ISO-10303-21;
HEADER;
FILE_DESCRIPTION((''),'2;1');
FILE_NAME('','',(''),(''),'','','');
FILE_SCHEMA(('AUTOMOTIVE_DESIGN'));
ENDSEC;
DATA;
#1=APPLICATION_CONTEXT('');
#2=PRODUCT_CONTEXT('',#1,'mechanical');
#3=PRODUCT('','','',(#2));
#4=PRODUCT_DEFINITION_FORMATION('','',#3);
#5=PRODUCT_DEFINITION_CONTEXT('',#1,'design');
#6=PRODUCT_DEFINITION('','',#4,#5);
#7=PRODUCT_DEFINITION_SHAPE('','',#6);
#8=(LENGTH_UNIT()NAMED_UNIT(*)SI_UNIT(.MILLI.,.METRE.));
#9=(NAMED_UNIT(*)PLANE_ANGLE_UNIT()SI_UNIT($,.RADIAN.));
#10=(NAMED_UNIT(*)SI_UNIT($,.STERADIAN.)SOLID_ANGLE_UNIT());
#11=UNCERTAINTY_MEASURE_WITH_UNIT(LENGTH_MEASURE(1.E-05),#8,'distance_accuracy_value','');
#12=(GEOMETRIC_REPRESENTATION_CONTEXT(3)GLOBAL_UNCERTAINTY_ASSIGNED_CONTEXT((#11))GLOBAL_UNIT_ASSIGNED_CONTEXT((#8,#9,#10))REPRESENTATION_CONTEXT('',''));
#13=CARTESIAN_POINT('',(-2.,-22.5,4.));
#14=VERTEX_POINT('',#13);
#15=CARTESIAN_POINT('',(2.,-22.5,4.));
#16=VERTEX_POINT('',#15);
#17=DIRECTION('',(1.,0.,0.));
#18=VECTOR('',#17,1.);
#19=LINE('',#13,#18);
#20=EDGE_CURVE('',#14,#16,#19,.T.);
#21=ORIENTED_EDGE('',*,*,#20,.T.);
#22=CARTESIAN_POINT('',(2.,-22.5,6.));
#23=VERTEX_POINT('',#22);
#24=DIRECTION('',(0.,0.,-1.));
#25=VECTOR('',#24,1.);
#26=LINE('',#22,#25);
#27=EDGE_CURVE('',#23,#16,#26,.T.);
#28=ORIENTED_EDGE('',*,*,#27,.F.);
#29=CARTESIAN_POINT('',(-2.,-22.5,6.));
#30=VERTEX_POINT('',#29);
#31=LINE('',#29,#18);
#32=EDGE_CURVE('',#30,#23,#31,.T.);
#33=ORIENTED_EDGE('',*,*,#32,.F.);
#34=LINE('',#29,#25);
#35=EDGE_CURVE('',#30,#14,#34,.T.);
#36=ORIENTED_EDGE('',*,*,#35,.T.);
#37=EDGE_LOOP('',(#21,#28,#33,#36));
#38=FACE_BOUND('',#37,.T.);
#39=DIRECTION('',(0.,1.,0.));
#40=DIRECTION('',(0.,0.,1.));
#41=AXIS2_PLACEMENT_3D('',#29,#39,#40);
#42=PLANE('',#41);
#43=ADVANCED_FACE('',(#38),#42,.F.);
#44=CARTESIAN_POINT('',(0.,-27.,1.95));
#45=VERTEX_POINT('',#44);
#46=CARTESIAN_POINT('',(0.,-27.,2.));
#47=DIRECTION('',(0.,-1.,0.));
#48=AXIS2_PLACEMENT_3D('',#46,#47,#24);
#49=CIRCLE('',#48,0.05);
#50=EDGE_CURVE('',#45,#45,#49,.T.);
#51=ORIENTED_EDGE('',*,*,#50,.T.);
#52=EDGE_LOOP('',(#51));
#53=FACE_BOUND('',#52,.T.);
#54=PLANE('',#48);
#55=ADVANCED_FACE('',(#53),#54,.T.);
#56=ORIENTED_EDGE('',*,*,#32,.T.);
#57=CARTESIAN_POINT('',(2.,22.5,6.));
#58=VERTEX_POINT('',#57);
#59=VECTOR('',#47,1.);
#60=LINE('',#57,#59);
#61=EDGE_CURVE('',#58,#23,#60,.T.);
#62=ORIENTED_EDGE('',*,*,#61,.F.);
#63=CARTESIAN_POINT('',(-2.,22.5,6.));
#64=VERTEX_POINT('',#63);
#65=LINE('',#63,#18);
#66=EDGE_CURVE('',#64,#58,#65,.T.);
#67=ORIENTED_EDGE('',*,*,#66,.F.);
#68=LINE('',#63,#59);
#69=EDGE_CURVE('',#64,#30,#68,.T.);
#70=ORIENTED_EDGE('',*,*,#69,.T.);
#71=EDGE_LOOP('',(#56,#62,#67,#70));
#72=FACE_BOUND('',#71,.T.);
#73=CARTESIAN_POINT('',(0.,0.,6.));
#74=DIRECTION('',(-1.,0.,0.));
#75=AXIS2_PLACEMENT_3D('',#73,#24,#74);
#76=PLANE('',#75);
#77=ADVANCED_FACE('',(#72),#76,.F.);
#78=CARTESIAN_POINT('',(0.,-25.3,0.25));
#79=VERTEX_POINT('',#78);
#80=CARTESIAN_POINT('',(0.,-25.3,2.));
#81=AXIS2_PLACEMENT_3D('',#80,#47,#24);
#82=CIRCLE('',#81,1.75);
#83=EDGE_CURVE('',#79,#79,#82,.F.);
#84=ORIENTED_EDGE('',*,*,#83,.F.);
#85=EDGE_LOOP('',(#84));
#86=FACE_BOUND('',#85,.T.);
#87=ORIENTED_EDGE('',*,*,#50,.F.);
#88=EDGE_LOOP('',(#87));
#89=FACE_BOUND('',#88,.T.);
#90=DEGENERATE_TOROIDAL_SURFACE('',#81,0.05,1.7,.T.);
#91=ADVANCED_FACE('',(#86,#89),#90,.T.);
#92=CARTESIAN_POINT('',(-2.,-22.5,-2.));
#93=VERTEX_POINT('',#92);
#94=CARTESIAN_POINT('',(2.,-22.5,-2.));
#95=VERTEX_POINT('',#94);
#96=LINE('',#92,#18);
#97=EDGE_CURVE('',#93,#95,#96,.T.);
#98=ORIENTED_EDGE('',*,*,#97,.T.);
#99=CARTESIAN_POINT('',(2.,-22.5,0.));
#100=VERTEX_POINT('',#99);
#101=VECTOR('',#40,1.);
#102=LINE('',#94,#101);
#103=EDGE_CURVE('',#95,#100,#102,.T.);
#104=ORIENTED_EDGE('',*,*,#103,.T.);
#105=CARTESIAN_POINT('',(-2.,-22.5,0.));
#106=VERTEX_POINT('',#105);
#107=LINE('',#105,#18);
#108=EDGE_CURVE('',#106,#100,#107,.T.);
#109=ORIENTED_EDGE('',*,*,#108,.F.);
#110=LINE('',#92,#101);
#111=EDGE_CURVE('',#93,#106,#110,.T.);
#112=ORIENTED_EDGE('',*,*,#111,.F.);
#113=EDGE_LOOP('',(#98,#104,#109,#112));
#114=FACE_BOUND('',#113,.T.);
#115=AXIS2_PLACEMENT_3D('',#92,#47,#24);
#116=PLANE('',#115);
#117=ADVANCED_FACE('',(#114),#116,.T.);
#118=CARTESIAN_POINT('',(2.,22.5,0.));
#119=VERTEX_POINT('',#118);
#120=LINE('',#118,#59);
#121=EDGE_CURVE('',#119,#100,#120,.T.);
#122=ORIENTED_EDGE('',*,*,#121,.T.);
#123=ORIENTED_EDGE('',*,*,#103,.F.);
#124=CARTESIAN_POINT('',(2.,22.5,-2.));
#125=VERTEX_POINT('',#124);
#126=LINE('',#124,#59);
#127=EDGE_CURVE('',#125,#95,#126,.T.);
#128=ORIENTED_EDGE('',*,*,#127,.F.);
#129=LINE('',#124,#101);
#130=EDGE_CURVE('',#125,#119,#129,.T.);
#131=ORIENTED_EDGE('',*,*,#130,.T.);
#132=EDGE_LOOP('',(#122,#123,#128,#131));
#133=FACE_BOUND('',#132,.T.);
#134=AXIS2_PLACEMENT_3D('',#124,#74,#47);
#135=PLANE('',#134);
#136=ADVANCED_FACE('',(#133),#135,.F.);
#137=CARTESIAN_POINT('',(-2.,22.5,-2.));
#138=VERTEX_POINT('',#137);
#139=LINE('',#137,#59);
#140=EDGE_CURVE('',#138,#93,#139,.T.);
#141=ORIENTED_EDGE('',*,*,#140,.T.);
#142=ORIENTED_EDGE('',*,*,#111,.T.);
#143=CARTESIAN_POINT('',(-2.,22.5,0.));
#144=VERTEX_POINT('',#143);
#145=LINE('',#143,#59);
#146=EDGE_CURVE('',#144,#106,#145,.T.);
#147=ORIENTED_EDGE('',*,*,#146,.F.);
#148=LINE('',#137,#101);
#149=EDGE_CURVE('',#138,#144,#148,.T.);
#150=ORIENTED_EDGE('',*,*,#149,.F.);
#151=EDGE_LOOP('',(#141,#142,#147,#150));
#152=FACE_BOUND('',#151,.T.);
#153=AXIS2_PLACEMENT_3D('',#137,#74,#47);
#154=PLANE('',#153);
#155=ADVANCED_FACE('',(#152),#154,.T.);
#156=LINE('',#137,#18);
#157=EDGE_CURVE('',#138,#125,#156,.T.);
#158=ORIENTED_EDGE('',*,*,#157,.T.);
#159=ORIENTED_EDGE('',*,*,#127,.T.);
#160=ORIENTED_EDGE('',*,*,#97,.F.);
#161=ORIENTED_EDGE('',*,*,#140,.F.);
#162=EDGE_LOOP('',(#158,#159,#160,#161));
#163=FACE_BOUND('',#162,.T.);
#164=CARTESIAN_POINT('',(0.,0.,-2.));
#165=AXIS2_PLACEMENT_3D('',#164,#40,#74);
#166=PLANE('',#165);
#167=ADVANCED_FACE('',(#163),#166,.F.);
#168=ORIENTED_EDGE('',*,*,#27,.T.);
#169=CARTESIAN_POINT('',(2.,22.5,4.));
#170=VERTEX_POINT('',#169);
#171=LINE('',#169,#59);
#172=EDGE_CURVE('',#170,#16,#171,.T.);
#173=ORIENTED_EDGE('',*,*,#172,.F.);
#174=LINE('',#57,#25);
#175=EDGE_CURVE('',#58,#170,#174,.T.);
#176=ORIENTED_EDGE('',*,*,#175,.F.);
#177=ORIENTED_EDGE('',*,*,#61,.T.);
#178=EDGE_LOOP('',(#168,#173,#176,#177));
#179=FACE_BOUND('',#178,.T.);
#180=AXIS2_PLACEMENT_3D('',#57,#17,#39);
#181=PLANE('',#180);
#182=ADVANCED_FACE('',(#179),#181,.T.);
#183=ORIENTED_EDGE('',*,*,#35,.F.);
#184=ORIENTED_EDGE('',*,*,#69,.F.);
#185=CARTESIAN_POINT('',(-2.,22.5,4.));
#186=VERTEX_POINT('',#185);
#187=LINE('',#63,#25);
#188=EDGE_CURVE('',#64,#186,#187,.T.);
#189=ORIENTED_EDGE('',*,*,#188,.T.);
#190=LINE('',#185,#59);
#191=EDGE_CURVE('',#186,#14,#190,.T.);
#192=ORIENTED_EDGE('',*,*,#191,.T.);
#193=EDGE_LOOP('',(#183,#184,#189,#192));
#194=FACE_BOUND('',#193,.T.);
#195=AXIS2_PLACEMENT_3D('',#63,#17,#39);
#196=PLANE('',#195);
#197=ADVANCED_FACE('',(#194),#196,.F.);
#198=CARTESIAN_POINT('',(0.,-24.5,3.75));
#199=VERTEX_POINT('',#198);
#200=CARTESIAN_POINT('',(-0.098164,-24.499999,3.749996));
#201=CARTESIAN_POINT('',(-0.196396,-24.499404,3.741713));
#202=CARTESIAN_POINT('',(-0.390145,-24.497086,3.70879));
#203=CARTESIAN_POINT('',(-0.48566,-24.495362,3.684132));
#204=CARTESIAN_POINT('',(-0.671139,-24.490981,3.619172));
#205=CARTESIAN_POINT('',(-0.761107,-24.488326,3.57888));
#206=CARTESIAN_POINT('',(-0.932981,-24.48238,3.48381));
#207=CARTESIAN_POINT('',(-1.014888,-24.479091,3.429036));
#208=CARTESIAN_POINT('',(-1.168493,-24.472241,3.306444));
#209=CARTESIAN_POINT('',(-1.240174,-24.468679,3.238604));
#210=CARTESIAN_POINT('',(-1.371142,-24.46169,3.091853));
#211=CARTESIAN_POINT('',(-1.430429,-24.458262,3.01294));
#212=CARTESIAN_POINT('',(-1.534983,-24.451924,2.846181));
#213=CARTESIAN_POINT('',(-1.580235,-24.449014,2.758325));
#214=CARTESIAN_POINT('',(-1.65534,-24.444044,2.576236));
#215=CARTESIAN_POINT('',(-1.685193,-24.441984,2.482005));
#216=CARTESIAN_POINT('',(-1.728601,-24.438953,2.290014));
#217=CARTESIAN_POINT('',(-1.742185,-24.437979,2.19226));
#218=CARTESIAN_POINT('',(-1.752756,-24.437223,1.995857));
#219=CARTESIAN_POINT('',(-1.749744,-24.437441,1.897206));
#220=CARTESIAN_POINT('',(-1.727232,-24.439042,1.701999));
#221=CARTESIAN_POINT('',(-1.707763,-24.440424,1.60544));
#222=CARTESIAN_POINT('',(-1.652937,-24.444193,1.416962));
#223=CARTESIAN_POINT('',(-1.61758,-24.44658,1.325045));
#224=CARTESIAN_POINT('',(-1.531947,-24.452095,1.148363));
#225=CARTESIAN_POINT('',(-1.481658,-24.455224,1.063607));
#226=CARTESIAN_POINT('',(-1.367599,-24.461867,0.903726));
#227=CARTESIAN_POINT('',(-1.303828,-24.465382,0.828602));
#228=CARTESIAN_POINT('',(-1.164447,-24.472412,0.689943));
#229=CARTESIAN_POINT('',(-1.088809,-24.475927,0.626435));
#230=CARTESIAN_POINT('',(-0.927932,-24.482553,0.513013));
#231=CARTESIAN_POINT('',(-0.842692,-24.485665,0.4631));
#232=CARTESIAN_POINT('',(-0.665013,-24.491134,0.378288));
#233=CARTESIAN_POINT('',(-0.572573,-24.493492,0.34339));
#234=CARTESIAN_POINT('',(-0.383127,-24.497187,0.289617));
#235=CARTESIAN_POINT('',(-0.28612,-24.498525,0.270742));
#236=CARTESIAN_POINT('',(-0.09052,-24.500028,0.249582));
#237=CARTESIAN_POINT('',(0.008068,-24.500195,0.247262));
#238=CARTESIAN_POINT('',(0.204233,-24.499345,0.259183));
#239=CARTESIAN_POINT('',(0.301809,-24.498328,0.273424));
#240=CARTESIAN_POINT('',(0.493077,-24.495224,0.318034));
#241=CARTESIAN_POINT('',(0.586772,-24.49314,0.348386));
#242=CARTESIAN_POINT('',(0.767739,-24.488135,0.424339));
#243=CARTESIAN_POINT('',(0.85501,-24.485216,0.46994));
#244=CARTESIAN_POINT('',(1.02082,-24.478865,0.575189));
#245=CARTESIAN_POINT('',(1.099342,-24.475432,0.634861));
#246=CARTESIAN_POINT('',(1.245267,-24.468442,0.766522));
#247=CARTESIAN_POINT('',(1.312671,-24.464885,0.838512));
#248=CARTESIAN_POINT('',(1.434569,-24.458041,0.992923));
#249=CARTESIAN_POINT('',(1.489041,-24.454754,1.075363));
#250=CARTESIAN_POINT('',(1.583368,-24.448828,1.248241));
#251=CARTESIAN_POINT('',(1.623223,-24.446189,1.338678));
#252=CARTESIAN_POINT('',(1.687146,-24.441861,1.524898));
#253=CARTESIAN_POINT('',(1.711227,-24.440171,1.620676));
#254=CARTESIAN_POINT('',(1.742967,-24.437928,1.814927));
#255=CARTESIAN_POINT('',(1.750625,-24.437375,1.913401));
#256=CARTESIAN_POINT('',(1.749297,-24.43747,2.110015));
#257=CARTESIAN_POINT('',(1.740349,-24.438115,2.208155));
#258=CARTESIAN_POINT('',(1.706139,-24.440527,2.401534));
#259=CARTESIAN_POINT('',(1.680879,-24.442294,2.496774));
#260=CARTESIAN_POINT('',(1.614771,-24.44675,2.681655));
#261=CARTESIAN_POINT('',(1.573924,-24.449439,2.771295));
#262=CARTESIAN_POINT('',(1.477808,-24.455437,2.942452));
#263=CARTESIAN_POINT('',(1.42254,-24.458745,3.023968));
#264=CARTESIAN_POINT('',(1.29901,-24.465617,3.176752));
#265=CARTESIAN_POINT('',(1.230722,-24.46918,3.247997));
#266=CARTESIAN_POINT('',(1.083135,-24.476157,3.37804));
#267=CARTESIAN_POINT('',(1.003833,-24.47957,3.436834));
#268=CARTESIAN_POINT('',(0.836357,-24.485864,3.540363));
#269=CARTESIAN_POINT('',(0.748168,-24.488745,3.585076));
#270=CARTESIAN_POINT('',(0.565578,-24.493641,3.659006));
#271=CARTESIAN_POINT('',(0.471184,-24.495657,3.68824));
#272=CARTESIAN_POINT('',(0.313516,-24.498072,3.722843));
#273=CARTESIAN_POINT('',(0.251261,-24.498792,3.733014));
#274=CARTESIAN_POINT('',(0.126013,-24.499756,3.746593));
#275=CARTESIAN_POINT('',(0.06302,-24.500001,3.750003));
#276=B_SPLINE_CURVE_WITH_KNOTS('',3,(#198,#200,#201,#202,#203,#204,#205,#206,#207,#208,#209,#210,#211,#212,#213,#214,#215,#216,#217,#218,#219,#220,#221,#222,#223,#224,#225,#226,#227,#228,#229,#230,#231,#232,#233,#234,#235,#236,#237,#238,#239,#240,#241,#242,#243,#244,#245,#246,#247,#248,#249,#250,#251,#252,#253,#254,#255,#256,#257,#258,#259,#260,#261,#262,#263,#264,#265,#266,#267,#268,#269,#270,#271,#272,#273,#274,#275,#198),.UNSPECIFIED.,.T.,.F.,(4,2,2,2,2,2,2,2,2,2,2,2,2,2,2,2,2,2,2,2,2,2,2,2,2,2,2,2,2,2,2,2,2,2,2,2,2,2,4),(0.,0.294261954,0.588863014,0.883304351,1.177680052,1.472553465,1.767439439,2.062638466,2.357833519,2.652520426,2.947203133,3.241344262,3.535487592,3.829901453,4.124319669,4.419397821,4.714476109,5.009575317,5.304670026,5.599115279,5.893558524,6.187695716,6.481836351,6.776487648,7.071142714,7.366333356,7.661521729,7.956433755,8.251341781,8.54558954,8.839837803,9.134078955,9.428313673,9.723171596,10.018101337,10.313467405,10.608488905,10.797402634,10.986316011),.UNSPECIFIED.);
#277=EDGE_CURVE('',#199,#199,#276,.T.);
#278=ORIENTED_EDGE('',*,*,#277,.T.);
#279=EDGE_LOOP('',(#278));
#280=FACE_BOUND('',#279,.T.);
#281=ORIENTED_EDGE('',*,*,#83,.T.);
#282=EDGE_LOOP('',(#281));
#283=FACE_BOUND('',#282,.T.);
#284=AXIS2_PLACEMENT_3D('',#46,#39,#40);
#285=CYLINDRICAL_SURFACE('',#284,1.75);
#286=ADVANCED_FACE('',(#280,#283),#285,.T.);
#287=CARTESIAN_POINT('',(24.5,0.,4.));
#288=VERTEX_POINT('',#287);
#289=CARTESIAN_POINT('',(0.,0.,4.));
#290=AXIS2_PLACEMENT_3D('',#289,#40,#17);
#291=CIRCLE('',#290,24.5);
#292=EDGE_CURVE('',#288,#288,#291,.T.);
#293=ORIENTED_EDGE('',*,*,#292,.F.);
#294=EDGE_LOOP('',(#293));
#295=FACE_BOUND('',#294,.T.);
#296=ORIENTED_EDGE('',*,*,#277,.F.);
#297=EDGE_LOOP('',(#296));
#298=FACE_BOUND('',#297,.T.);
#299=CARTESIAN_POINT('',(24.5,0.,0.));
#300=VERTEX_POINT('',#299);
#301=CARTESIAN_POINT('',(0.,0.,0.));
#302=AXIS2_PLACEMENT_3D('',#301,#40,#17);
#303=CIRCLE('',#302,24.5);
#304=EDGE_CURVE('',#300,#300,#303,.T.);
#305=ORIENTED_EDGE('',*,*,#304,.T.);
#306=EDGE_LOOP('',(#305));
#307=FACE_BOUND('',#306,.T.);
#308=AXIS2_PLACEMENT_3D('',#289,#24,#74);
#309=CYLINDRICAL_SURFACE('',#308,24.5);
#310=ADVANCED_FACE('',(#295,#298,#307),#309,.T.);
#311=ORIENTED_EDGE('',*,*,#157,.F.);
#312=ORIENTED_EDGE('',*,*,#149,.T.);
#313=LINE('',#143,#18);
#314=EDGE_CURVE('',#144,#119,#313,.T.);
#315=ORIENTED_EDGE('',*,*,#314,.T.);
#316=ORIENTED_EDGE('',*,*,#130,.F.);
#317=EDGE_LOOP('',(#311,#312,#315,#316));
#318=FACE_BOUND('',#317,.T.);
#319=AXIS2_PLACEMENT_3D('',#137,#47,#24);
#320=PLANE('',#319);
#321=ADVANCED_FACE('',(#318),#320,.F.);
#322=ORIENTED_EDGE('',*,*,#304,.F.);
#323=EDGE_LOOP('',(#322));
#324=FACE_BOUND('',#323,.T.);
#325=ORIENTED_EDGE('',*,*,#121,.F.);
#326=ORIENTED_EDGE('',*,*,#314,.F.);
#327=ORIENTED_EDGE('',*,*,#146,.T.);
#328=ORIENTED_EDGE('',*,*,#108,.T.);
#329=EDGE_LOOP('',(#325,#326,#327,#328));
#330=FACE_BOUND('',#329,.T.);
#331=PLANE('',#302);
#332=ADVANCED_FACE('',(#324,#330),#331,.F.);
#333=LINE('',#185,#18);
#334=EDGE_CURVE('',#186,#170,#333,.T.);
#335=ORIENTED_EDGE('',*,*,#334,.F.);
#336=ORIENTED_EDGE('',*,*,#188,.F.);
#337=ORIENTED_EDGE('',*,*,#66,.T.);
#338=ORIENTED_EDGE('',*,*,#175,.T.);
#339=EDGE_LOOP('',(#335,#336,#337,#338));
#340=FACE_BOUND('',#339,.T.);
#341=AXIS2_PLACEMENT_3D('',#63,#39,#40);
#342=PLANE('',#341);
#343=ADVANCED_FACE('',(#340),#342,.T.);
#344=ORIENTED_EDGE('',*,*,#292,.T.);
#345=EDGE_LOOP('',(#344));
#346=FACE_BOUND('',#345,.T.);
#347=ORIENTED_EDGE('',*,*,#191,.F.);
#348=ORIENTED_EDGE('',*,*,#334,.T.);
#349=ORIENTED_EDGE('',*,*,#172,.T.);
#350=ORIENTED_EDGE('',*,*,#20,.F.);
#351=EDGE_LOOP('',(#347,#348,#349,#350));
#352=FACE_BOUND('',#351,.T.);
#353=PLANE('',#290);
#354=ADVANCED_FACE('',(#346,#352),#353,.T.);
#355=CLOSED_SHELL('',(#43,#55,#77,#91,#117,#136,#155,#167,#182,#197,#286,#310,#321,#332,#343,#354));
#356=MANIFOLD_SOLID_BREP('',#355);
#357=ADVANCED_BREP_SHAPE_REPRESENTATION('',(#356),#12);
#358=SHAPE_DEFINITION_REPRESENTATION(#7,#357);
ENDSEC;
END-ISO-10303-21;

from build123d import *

# Parameters (mm, degrees)
SKETCH_1_R      = 24.5
EXTRUDE_1_DEPTH = 4
SKETCH_2_W      = 4
SKETCH_2_H      = 45
EXTRUDE_2_DEPTH = 2
SKETCH_3_R      = 1.75
EXTRUDE_3_DEPTH = 3
FILLET_2_R      = 1.7


with BuildPart() as part:
    # 草图1 → 凸台-拉伸1 (new body)
    with BuildSketch(Plane.XY):
        Circle(SKETCH_1_R)
    extrude(amount=EXTRUDE_1_DEPTH)

    # 草图2 → 凸台-拉伸2 (add)
    with BuildSketch(Plane.XY.offset(4)):
        Rectangle(SKETCH_2_W, SKETCH_2_H)
    extrude_2 = extrude(amount=EXTRUDE_2_DEPTH)

    # 镜向1: 凸台-拉伸2 across plane
    add(extrude_2.mirror(Plane.XY.offset(2)))

    # 草图3 → 凸台-拉伸3 (add)
    with BuildSketch(Plane(origin=(0, -24, 0), x_dir=(-1, 0, 0), z_dir=(0, -1, 0))):
        with Locations(Location((0, -2, 0), (0, 0, 270))):
            Circle(SKETCH_3_R)
    extrude(amount=EXTRUDE_3_DEPTH)

    # 圆角2
    fillet_2_edges = [part.edges().sort_by_distance(p)[0] for p in [
        (0, -27, 0.25),
    ]]
    fillet(fillet_2_edges, radius=FILLET_2_R)


solid = part.part
